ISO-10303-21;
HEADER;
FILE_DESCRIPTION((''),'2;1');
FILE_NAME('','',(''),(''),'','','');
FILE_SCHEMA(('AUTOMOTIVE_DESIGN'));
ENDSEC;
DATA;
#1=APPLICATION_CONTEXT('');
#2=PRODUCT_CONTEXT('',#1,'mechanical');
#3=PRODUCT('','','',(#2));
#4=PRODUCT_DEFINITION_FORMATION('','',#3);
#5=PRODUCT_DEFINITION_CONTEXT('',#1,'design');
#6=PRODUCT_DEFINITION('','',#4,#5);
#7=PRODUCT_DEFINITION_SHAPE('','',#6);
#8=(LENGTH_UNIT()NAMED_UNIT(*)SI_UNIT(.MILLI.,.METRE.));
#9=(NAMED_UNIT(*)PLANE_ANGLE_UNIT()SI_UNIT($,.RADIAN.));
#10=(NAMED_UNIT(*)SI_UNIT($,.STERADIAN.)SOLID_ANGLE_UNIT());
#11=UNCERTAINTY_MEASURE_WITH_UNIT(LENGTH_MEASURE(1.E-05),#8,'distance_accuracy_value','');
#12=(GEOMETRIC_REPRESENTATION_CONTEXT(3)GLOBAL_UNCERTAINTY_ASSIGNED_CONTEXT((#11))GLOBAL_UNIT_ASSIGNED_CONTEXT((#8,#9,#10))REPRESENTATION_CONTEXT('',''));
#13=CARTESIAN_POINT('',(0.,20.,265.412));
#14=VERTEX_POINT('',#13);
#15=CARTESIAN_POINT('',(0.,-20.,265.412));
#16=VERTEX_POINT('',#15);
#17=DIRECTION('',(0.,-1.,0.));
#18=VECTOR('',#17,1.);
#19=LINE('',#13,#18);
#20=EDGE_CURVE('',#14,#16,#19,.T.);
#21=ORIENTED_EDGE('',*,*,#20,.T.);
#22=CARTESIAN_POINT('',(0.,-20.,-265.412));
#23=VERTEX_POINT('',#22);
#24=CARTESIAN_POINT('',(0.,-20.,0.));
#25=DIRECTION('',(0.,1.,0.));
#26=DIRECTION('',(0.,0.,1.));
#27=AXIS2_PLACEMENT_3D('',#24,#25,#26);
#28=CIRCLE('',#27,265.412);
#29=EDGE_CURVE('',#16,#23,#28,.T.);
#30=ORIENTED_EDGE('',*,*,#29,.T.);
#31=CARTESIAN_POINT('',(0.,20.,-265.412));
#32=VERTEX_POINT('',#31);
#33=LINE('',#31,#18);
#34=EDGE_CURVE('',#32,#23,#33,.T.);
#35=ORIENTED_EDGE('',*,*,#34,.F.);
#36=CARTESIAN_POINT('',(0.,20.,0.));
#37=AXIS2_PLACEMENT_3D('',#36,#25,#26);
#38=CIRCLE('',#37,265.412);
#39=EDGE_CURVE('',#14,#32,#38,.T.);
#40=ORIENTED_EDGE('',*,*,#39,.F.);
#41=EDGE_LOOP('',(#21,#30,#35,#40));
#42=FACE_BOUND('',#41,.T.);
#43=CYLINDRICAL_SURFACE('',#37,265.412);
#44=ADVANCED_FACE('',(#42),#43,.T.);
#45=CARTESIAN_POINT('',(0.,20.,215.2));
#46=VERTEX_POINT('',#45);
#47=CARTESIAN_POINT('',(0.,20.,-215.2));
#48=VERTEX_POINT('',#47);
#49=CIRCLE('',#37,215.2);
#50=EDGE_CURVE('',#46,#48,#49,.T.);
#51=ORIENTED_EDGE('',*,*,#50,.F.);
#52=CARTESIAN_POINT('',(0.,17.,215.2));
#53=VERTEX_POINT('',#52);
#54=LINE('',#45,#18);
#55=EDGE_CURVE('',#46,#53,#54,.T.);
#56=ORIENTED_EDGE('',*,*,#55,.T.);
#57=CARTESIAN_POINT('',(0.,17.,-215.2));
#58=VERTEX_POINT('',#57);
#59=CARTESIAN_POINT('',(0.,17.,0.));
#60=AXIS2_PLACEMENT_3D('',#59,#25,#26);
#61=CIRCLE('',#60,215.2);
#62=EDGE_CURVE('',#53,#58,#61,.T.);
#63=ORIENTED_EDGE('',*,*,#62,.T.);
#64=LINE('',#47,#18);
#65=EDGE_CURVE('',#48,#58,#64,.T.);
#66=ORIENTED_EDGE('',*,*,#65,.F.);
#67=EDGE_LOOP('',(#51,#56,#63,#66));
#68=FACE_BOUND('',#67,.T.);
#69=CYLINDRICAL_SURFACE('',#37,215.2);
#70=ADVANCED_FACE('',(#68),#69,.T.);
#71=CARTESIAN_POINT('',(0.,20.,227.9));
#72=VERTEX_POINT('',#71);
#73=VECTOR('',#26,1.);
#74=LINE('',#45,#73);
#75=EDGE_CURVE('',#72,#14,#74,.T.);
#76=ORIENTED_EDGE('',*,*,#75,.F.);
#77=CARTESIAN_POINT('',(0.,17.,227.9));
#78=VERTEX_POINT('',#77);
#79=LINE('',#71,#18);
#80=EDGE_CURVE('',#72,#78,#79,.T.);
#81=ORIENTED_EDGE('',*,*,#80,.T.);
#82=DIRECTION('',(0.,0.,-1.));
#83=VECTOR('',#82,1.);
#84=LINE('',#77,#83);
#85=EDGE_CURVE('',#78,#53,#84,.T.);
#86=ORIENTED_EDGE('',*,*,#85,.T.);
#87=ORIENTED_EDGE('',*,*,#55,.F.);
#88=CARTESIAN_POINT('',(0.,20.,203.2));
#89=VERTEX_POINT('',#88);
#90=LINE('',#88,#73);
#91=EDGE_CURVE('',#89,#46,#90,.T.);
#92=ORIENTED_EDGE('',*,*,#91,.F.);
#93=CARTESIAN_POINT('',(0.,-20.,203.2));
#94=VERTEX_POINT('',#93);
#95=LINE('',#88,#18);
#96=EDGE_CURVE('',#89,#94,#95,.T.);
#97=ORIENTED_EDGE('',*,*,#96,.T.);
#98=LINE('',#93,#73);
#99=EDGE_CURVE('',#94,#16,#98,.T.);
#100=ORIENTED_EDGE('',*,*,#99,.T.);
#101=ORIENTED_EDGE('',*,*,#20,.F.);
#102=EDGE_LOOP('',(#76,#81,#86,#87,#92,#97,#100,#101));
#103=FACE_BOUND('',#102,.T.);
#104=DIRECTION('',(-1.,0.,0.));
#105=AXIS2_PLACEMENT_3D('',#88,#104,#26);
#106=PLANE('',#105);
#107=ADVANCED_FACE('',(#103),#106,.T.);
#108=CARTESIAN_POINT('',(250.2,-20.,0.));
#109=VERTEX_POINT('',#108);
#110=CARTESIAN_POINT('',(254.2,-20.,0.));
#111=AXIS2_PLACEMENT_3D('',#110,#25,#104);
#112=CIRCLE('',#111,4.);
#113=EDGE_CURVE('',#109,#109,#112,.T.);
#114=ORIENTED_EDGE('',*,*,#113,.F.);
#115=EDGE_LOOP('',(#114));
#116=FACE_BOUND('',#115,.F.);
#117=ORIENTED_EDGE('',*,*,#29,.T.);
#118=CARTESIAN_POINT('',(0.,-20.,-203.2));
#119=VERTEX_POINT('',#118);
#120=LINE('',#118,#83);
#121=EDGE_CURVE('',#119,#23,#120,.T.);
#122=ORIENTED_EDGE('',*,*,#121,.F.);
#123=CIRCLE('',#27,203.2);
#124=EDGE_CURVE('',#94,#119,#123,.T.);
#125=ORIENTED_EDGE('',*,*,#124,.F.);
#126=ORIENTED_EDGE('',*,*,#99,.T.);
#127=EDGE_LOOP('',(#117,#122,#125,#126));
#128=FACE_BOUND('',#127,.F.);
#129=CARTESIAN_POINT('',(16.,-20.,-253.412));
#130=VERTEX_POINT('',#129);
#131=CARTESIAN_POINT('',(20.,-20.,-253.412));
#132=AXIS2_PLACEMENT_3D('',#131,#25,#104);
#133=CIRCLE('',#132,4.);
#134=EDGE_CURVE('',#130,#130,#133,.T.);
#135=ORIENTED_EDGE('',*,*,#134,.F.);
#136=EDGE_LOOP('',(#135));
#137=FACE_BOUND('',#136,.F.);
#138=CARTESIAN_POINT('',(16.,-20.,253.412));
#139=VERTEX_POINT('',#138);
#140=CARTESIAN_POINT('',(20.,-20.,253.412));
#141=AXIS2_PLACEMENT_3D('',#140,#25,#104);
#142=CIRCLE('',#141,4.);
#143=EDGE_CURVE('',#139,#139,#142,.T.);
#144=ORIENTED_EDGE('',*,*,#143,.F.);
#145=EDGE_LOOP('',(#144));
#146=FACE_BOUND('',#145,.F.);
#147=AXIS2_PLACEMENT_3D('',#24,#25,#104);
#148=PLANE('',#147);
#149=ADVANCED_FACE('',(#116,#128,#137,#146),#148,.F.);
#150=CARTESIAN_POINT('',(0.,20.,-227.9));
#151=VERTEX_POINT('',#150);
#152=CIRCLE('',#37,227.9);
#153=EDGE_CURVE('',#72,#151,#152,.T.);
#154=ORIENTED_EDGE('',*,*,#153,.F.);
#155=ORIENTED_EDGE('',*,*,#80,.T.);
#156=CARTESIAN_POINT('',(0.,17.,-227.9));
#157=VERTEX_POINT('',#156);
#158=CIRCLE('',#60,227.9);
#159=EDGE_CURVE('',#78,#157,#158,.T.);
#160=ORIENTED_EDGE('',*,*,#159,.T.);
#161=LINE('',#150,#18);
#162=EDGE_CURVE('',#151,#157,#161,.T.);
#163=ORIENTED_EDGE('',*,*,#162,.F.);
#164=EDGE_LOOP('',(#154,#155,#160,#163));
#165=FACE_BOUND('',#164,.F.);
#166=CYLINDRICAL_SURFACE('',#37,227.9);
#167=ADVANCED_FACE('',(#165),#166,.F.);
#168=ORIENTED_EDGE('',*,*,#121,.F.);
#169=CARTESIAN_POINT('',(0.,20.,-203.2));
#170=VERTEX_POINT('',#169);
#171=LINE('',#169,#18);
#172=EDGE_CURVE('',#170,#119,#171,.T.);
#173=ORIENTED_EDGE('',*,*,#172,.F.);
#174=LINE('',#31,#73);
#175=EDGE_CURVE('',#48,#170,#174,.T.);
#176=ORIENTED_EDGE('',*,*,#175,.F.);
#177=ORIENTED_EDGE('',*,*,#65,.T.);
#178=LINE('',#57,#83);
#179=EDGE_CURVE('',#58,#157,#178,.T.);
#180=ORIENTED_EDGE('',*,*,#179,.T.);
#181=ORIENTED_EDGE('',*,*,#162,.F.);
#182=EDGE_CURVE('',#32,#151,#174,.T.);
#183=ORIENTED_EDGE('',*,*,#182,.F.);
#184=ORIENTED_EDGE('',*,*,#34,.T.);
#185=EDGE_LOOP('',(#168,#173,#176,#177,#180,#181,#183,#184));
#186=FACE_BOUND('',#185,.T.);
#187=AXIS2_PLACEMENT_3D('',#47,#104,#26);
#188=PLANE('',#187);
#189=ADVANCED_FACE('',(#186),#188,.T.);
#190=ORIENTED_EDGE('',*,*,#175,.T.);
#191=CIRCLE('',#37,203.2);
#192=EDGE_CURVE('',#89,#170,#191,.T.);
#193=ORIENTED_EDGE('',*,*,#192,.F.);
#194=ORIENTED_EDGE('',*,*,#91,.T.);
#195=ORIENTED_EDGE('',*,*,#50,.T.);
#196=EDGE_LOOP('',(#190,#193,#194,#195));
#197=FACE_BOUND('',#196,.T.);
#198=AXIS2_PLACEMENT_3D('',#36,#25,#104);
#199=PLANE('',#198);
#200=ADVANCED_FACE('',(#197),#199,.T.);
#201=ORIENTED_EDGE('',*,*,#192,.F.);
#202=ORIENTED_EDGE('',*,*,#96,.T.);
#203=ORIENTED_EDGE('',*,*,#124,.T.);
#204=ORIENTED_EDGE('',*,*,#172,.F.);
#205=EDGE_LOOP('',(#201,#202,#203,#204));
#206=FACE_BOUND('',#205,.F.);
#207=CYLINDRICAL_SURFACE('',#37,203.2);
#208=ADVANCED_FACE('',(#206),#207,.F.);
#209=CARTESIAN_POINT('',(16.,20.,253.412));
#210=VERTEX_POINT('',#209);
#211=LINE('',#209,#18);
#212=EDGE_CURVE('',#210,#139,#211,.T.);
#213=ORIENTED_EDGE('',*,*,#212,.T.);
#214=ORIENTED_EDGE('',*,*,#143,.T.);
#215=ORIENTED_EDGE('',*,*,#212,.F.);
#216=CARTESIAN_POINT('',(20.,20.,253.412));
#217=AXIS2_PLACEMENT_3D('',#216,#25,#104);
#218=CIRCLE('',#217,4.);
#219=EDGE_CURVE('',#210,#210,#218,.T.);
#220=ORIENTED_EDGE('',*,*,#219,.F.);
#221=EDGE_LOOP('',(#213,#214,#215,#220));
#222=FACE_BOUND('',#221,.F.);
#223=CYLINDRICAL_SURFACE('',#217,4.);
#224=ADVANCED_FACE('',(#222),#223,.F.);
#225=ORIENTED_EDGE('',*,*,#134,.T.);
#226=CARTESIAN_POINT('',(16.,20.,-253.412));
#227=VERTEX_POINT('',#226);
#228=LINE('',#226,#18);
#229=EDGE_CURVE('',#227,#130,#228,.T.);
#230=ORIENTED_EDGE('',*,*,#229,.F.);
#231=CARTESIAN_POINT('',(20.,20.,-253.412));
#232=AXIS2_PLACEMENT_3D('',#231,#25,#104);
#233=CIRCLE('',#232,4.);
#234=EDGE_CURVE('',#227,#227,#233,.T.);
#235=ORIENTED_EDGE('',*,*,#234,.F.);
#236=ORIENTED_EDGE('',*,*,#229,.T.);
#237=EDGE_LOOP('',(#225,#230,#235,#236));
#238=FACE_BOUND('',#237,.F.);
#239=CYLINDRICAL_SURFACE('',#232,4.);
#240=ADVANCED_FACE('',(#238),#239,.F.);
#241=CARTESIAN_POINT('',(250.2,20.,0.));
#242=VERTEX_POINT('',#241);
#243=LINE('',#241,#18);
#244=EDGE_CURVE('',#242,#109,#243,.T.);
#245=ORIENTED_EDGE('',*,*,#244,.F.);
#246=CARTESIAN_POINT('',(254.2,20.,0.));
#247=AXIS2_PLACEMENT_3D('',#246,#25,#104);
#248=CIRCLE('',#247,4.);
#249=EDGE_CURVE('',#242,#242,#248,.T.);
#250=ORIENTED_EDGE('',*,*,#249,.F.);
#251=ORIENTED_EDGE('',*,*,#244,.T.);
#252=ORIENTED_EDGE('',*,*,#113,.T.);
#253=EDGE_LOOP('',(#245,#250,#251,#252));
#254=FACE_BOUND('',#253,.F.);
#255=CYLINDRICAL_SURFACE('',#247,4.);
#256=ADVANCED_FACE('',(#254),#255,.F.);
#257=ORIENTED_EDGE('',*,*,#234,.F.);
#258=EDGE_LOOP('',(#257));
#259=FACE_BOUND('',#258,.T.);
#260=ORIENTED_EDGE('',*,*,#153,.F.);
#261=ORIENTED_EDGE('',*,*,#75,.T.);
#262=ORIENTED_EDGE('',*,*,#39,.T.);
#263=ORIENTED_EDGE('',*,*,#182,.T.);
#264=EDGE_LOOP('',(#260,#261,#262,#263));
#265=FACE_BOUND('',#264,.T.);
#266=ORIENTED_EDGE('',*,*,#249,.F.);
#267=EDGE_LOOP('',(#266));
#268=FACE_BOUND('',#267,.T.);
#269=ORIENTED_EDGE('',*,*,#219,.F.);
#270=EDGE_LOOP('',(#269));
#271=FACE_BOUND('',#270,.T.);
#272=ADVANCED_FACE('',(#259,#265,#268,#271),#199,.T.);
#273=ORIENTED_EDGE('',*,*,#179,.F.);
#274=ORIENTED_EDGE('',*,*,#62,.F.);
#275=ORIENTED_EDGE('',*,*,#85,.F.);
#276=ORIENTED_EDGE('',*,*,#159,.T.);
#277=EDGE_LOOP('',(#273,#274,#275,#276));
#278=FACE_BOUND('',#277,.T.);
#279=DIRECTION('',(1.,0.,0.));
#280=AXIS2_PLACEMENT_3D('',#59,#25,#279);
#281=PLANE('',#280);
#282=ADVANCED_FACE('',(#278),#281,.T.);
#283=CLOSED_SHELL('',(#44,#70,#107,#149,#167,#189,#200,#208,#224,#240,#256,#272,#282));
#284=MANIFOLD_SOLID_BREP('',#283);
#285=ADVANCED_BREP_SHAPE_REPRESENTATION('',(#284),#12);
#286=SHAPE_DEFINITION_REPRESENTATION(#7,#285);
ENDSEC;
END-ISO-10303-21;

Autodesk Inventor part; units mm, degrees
ref_plane "YZ Plane" through (0, 0, 0) normal (1, 0, 0) x (0, 1, 0)
ref_plane "Plan de construction1" through (0, 20, -215.2) normal (0, 1, 0) x (0, 0, 1)
ref_plane "Plan de construction2" through (0, -20, -215.2) normal (0, -1, 0) x (1, 0, 0)
sketch "Esquisse1" plane through (0, 0, 0) normal (0, 1, 0) x (-1, 0, 0)
  circle A0 centre (0, 0) radius 203.2 construction
  circle A1 centre (-20, 253.412) radius 4
  circle A2 centre (-254.2, 0) radius 4
  circle A3 centre (-20, -253.412) radius 4
  line L0 (0, 215.2) -> (0, 265.412)
  line L1 (0, -265.412) -> (0, -215.2)
  line L2 (0, -410.2053) -> (0, 403.2318) construction
  line L3 (-446.5269, 0) -> (446.5269, 0) construction
  arc A4 (0, 265.412) -> (0, -265.412) centre (0, 0) ccw
  arc A5 (0, 203.2) -> (0, -203.2) centre (0, 0) ccw
  line L4 (0, 203.2) -> (0, 265.412)
  line L5 (0, -265.412) -> (0, -203.2)
  point P0 (0, 0)
extrude "Extrusion1" add sketch "Esquisse1" against normal up to surface (40 mm away) from surface at 20
sketch "Esquisse2" plane through (0, 20, 0) normal (0, 1, 0) x (1, 0, 0)
  line L0 (0, 215.2) -> (0, 265.412) construction
  arc A0 (0, -215.2) -> (0, 215.2) centre (0, 0) ccw projected
  line L1 (0, -265.412) -> (0, -215.2) construction
  arc A1 (0, -227.9) -> (0, 227.9) centre (0, 0) ccw
  arc A2 (0, -215.2) -> (0, 215.2) centre (0, 0) ccw projected
  line L2 (0, 215.2) -> (0, 227.9)
  line L3 (0, -227.9) -> (0, -215.2)
  dimension "d2" = 12.7
extrude "Extrusion2" cut sketch "Esquisse2" against normal blind 3
properties part number "wheel_rim_mold_B_Prime"
